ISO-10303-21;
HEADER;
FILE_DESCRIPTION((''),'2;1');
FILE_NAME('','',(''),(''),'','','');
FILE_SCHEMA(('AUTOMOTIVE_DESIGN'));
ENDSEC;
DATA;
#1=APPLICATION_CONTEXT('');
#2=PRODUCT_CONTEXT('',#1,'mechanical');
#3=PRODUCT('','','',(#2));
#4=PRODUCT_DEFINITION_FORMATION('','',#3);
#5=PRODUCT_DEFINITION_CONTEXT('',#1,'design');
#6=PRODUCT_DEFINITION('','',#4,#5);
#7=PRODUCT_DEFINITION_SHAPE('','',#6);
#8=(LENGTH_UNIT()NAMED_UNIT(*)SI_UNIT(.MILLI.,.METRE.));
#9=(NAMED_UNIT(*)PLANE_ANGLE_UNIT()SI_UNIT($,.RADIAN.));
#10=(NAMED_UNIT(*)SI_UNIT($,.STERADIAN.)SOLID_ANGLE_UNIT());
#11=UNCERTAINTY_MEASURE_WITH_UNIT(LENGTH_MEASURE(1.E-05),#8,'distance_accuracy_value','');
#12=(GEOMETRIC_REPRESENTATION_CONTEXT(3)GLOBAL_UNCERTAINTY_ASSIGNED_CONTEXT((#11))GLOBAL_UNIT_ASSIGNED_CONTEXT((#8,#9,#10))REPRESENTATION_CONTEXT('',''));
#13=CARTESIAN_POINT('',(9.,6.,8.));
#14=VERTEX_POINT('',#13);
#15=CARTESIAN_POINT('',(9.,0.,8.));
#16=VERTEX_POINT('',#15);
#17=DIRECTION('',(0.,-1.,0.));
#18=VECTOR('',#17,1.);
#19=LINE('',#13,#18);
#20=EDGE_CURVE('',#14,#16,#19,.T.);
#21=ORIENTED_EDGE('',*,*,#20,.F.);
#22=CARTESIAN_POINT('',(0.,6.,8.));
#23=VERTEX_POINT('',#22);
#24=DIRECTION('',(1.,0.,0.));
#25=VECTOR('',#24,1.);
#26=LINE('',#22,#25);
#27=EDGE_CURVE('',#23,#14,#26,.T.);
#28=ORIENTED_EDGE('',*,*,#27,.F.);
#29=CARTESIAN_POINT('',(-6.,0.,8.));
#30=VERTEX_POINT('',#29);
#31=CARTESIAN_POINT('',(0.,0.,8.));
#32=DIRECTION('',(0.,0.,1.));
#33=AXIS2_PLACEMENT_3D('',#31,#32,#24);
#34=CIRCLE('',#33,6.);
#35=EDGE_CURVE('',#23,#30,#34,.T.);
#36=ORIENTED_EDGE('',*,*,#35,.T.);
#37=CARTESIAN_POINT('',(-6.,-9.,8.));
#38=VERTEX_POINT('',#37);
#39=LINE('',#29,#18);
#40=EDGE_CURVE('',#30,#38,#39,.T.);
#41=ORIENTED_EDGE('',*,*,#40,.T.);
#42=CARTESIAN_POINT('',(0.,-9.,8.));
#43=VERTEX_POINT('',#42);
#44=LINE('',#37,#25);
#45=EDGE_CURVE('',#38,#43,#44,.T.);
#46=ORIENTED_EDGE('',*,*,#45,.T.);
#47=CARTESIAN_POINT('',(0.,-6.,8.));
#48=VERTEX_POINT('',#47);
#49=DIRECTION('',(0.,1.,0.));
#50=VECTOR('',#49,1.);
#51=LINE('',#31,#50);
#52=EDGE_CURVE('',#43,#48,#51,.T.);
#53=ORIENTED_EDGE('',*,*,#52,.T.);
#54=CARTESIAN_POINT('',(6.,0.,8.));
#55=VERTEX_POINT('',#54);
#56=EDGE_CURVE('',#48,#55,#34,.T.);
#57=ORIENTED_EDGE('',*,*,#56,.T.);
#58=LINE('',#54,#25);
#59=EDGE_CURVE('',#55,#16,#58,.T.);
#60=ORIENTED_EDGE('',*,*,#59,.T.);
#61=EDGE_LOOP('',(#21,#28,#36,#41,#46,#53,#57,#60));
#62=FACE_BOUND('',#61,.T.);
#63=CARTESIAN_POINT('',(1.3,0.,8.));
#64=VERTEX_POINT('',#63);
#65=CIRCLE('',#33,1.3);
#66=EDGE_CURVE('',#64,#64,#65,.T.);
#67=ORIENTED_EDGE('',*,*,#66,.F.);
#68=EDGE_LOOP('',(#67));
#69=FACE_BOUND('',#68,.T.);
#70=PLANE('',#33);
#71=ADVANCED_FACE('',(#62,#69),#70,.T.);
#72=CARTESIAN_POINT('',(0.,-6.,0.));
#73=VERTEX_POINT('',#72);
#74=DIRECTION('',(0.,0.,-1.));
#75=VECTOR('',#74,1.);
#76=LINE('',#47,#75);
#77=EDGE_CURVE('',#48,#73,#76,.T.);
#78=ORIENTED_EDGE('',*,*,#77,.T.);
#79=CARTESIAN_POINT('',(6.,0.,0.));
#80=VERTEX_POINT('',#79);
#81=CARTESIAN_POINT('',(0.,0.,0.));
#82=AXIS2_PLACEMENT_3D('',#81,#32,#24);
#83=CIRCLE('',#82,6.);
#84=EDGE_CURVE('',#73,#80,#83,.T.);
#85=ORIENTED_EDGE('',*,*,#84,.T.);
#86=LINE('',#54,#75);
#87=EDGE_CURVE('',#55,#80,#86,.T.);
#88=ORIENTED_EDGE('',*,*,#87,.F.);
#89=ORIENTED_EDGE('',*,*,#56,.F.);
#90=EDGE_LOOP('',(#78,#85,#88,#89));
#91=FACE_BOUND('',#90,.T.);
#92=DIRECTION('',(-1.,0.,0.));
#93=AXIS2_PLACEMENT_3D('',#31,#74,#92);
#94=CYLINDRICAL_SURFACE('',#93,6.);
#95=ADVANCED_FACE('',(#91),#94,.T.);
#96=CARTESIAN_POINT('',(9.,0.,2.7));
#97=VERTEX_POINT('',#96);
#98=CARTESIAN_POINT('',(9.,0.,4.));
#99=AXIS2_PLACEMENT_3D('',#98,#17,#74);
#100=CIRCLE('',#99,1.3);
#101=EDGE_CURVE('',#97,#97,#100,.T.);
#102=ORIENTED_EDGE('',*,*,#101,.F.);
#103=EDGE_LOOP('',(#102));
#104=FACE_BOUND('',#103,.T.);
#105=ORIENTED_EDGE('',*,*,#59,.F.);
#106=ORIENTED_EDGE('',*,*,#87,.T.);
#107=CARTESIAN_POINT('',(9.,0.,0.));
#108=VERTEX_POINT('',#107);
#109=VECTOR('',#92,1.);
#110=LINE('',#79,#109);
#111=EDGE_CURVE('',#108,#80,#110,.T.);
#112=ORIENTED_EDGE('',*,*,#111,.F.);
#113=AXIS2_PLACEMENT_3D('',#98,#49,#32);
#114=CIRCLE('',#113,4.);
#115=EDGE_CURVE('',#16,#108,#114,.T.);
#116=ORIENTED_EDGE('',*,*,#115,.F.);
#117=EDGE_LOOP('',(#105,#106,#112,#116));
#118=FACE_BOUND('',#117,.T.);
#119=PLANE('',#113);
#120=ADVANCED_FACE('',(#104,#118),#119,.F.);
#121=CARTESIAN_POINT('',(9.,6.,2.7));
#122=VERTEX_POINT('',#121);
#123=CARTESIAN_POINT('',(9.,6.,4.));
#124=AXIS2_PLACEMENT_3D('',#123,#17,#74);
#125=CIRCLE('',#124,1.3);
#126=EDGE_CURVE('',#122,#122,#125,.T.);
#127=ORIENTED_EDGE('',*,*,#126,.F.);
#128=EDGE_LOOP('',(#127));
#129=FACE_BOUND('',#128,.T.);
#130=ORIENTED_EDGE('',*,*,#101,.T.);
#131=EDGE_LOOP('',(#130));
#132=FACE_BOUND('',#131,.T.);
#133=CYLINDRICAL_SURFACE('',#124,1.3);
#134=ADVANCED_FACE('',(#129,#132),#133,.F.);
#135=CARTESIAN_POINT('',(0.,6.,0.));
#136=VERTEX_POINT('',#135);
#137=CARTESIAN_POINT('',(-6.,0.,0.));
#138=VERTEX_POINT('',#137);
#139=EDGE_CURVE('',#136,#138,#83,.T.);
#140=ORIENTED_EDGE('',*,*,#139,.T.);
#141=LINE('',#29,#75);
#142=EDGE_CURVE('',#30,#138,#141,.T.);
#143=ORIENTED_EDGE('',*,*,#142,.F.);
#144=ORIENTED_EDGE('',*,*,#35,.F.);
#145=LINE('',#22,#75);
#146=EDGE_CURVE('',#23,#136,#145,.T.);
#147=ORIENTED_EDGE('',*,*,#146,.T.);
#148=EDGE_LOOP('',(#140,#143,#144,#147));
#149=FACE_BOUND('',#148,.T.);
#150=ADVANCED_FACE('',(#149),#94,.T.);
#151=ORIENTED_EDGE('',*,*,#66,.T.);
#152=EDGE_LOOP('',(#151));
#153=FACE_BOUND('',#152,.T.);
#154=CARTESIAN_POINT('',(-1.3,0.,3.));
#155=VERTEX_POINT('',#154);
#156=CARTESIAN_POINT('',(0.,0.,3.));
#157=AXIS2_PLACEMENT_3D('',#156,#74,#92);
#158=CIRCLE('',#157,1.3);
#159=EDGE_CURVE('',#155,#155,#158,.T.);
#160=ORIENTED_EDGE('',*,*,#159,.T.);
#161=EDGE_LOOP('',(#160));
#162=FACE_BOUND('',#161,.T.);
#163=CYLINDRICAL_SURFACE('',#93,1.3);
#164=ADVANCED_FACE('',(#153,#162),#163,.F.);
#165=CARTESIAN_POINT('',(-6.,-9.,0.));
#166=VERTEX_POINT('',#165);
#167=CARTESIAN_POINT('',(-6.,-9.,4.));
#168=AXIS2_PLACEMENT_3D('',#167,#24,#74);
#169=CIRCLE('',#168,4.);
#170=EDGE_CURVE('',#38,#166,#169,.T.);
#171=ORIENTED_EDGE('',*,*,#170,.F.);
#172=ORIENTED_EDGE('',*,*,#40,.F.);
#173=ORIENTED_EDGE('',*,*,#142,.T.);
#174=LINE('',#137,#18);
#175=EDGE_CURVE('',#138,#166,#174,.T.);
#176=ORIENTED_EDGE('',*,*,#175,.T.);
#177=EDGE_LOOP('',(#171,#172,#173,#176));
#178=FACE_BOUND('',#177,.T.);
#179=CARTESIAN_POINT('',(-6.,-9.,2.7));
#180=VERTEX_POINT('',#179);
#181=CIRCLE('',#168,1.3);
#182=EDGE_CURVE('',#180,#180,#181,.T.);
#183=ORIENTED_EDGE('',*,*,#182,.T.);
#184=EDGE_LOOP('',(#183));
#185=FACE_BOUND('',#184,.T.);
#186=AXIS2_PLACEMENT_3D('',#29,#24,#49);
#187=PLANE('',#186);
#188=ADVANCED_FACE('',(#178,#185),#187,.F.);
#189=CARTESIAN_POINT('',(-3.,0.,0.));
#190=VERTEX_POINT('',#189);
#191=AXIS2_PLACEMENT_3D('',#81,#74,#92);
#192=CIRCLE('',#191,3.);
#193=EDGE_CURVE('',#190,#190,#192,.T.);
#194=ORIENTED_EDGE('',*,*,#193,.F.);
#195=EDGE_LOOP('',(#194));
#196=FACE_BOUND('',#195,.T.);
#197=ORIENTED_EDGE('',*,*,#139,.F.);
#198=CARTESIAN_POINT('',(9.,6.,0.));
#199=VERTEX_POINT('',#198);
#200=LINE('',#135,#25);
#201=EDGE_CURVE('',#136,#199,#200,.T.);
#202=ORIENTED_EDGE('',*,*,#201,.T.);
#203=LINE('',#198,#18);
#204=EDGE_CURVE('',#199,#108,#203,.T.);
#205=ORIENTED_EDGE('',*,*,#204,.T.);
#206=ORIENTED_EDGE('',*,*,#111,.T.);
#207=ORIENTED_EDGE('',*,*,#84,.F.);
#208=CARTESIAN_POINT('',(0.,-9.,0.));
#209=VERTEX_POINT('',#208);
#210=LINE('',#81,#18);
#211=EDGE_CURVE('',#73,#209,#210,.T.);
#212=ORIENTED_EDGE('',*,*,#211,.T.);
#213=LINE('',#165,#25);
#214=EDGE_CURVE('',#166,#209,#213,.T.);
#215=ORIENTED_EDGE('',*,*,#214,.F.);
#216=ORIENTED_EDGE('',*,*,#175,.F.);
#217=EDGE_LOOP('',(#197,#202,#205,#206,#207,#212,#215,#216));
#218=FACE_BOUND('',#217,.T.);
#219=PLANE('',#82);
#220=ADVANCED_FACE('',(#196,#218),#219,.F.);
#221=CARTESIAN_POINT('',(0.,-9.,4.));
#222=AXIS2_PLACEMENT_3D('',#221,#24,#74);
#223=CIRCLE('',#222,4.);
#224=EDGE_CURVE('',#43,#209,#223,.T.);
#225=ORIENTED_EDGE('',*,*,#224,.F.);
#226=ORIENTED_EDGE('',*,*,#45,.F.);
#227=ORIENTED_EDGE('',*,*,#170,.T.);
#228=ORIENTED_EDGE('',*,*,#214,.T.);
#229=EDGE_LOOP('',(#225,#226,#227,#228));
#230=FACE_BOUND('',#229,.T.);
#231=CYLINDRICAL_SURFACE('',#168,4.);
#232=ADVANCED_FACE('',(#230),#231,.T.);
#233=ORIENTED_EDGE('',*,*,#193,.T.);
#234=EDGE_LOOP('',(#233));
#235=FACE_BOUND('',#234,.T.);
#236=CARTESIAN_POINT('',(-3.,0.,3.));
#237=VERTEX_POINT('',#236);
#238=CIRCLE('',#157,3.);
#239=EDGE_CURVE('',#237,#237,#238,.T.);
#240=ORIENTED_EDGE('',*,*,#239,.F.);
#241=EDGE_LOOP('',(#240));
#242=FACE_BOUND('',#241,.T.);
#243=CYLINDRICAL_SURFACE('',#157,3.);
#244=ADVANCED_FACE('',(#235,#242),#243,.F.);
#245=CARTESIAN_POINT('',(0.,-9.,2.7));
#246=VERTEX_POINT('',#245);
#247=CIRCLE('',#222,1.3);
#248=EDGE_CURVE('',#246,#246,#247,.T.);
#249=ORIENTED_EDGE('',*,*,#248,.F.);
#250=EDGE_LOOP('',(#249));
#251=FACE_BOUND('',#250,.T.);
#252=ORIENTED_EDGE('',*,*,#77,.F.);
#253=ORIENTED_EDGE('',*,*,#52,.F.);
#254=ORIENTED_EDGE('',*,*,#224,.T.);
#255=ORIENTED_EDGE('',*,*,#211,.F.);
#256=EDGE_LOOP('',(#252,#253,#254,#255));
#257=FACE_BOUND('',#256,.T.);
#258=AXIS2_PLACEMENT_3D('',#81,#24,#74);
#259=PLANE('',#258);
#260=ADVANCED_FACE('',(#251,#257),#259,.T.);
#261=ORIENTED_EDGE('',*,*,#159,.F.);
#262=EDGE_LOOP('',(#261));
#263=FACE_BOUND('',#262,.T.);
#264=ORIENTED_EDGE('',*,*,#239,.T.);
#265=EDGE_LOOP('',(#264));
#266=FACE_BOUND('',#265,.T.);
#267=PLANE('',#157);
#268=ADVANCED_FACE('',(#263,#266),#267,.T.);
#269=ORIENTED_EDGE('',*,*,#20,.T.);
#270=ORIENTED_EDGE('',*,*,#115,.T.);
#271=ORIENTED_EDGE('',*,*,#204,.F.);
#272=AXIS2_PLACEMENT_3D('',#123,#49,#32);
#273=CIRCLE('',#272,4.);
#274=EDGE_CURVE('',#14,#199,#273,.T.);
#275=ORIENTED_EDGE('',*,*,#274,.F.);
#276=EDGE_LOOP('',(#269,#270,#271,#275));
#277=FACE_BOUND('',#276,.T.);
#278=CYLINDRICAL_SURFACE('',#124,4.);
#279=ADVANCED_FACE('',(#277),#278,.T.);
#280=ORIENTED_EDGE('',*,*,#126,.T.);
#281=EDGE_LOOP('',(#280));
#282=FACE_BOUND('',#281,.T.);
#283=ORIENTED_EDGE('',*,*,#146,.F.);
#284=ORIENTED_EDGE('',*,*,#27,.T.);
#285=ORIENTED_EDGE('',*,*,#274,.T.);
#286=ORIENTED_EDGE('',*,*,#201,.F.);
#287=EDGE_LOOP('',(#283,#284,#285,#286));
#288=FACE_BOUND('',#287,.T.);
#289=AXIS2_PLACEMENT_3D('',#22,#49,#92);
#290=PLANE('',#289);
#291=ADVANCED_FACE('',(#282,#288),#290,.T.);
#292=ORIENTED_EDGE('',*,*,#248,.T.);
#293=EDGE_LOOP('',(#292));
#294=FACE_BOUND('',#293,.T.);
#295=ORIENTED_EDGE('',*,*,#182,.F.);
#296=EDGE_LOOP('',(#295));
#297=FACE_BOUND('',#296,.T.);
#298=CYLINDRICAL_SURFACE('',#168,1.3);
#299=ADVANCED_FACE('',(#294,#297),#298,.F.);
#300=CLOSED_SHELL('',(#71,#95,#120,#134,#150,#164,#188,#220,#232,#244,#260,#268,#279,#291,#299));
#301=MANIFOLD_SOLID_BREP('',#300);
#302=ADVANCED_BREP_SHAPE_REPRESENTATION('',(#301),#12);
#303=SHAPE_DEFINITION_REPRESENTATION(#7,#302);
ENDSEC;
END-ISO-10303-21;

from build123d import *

# Parameters (mm, degrees)
SKETCH1_R           = 6
SKETCH1_R_2         = 1.3
BOSS_EXTRUDE1_DEPTH = 8
SKETCH4_W           = 8
SKETCH4_H           = 3
BOSS_EXTRUDE2_DEPTH = 6
BOSS_EXTRUDE4_DEPTH = 6
SKETCH12_R          = 1.3
CUT_EXTRUDE6_DEPTH  = 6
SKETCH13_R          = 1.3
CUT_EXTRUDE7_DEPTH  = 6
SKETCH14_R          = 3
CUT_EXTRUDE8_DEPTH  = 3


with BuildPart() as part:
    # Sketch1 → Boss-Extrude1 (new body)
    with BuildSketch(Plane.XY):
        Circle(SKETCH1_R)
        Circle(SKETCH1_R_2, mode=Mode.SUBTRACT)
        with BuildLine():
            ThreePointArc((0, -6), (-4.242640687, -4.242640687), (-6, 0))
            Line((-6, 0), (-6, -6))
            Line((-6, -6), (0, -6))
        make_face()
        with BuildLine():
            Line((6, 6), (0, 6))
            ThreePointArc((0, 6), (4.242640687, 4.242640687), (6, 0))
            Line((6, 0), (6, 6))
        make_face()
    extrude(amount=BOSS_EXTRUDE1_DEPTH)

    # Sketch4 → Boss-Extrude2 (add)
    with BuildSketch(Plane(origin=(0, 0, 0), x_dir=(0, 0, -1), z_dir=(1, 0, 0))):
        with Locations((-4, -7.5)):
            Rectangle(SKETCH4_W, SKETCH4_H)
        with BuildLine():
            Line((-8, -9), (0, -9))
            ThreePointArc((0, -9), (-4, -13), (-8, -9))
        make_face()
    extrude(amount=-BOSS_EXTRUDE2_DEPTH)

    # Sketch5 → Boss-Extrude4 (add)
    with BuildSketch(Plane(origin=(0, 0, 0), x_dir=(1, 0, 0), z_dir=(0, 1, 0))):
        with BuildLine():
            Line((6, 0), (9, 0))
            ThreePointArc((9, 0), (13, -4), (9, -8))
            Line((9, -8), (6, -8))
            Line((6, -8), (6, 0))
        make_face()
    extrude(amount=BOSS_EXTRUDE4_DEPTH)

    # Sketch12 → Cut-Extrude6 (cut)
    with BuildSketch(Plane.XZ):
        with Locations((9, 4)):
            Circle(SKETCH12_R)
    extrude(amount=-CUT_EXTRUDE6_DEPTH, mode=Mode.SUBTRACT)

    # Sketch13 → Cut-Extrude7 (cut)
    with BuildSketch(Plane(origin=(0, 0, 0), x_dir=(0, 0, -1), z_dir=(1, 0, 0))):
        with Locations((-4, -9)):
            Circle(SKETCH13_R)
    extrude(amount=-CUT_EXTRUDE7_DEPTH, mode=Mode.SUBTRACT)

    # Sketch14 → Cut-Extrude8 (cut)
    with BuildSketch(Plane(origin=(0, 0, 0), x_dir=(-1, 0, 0), z_dir=(0, 0, -1))):
        Circle(SKETCH14_R)
    extrude(amount=-CUT_EXTRUDE8_DEPTH, mode=Mode.SUBTRACT)


solid = part.part
